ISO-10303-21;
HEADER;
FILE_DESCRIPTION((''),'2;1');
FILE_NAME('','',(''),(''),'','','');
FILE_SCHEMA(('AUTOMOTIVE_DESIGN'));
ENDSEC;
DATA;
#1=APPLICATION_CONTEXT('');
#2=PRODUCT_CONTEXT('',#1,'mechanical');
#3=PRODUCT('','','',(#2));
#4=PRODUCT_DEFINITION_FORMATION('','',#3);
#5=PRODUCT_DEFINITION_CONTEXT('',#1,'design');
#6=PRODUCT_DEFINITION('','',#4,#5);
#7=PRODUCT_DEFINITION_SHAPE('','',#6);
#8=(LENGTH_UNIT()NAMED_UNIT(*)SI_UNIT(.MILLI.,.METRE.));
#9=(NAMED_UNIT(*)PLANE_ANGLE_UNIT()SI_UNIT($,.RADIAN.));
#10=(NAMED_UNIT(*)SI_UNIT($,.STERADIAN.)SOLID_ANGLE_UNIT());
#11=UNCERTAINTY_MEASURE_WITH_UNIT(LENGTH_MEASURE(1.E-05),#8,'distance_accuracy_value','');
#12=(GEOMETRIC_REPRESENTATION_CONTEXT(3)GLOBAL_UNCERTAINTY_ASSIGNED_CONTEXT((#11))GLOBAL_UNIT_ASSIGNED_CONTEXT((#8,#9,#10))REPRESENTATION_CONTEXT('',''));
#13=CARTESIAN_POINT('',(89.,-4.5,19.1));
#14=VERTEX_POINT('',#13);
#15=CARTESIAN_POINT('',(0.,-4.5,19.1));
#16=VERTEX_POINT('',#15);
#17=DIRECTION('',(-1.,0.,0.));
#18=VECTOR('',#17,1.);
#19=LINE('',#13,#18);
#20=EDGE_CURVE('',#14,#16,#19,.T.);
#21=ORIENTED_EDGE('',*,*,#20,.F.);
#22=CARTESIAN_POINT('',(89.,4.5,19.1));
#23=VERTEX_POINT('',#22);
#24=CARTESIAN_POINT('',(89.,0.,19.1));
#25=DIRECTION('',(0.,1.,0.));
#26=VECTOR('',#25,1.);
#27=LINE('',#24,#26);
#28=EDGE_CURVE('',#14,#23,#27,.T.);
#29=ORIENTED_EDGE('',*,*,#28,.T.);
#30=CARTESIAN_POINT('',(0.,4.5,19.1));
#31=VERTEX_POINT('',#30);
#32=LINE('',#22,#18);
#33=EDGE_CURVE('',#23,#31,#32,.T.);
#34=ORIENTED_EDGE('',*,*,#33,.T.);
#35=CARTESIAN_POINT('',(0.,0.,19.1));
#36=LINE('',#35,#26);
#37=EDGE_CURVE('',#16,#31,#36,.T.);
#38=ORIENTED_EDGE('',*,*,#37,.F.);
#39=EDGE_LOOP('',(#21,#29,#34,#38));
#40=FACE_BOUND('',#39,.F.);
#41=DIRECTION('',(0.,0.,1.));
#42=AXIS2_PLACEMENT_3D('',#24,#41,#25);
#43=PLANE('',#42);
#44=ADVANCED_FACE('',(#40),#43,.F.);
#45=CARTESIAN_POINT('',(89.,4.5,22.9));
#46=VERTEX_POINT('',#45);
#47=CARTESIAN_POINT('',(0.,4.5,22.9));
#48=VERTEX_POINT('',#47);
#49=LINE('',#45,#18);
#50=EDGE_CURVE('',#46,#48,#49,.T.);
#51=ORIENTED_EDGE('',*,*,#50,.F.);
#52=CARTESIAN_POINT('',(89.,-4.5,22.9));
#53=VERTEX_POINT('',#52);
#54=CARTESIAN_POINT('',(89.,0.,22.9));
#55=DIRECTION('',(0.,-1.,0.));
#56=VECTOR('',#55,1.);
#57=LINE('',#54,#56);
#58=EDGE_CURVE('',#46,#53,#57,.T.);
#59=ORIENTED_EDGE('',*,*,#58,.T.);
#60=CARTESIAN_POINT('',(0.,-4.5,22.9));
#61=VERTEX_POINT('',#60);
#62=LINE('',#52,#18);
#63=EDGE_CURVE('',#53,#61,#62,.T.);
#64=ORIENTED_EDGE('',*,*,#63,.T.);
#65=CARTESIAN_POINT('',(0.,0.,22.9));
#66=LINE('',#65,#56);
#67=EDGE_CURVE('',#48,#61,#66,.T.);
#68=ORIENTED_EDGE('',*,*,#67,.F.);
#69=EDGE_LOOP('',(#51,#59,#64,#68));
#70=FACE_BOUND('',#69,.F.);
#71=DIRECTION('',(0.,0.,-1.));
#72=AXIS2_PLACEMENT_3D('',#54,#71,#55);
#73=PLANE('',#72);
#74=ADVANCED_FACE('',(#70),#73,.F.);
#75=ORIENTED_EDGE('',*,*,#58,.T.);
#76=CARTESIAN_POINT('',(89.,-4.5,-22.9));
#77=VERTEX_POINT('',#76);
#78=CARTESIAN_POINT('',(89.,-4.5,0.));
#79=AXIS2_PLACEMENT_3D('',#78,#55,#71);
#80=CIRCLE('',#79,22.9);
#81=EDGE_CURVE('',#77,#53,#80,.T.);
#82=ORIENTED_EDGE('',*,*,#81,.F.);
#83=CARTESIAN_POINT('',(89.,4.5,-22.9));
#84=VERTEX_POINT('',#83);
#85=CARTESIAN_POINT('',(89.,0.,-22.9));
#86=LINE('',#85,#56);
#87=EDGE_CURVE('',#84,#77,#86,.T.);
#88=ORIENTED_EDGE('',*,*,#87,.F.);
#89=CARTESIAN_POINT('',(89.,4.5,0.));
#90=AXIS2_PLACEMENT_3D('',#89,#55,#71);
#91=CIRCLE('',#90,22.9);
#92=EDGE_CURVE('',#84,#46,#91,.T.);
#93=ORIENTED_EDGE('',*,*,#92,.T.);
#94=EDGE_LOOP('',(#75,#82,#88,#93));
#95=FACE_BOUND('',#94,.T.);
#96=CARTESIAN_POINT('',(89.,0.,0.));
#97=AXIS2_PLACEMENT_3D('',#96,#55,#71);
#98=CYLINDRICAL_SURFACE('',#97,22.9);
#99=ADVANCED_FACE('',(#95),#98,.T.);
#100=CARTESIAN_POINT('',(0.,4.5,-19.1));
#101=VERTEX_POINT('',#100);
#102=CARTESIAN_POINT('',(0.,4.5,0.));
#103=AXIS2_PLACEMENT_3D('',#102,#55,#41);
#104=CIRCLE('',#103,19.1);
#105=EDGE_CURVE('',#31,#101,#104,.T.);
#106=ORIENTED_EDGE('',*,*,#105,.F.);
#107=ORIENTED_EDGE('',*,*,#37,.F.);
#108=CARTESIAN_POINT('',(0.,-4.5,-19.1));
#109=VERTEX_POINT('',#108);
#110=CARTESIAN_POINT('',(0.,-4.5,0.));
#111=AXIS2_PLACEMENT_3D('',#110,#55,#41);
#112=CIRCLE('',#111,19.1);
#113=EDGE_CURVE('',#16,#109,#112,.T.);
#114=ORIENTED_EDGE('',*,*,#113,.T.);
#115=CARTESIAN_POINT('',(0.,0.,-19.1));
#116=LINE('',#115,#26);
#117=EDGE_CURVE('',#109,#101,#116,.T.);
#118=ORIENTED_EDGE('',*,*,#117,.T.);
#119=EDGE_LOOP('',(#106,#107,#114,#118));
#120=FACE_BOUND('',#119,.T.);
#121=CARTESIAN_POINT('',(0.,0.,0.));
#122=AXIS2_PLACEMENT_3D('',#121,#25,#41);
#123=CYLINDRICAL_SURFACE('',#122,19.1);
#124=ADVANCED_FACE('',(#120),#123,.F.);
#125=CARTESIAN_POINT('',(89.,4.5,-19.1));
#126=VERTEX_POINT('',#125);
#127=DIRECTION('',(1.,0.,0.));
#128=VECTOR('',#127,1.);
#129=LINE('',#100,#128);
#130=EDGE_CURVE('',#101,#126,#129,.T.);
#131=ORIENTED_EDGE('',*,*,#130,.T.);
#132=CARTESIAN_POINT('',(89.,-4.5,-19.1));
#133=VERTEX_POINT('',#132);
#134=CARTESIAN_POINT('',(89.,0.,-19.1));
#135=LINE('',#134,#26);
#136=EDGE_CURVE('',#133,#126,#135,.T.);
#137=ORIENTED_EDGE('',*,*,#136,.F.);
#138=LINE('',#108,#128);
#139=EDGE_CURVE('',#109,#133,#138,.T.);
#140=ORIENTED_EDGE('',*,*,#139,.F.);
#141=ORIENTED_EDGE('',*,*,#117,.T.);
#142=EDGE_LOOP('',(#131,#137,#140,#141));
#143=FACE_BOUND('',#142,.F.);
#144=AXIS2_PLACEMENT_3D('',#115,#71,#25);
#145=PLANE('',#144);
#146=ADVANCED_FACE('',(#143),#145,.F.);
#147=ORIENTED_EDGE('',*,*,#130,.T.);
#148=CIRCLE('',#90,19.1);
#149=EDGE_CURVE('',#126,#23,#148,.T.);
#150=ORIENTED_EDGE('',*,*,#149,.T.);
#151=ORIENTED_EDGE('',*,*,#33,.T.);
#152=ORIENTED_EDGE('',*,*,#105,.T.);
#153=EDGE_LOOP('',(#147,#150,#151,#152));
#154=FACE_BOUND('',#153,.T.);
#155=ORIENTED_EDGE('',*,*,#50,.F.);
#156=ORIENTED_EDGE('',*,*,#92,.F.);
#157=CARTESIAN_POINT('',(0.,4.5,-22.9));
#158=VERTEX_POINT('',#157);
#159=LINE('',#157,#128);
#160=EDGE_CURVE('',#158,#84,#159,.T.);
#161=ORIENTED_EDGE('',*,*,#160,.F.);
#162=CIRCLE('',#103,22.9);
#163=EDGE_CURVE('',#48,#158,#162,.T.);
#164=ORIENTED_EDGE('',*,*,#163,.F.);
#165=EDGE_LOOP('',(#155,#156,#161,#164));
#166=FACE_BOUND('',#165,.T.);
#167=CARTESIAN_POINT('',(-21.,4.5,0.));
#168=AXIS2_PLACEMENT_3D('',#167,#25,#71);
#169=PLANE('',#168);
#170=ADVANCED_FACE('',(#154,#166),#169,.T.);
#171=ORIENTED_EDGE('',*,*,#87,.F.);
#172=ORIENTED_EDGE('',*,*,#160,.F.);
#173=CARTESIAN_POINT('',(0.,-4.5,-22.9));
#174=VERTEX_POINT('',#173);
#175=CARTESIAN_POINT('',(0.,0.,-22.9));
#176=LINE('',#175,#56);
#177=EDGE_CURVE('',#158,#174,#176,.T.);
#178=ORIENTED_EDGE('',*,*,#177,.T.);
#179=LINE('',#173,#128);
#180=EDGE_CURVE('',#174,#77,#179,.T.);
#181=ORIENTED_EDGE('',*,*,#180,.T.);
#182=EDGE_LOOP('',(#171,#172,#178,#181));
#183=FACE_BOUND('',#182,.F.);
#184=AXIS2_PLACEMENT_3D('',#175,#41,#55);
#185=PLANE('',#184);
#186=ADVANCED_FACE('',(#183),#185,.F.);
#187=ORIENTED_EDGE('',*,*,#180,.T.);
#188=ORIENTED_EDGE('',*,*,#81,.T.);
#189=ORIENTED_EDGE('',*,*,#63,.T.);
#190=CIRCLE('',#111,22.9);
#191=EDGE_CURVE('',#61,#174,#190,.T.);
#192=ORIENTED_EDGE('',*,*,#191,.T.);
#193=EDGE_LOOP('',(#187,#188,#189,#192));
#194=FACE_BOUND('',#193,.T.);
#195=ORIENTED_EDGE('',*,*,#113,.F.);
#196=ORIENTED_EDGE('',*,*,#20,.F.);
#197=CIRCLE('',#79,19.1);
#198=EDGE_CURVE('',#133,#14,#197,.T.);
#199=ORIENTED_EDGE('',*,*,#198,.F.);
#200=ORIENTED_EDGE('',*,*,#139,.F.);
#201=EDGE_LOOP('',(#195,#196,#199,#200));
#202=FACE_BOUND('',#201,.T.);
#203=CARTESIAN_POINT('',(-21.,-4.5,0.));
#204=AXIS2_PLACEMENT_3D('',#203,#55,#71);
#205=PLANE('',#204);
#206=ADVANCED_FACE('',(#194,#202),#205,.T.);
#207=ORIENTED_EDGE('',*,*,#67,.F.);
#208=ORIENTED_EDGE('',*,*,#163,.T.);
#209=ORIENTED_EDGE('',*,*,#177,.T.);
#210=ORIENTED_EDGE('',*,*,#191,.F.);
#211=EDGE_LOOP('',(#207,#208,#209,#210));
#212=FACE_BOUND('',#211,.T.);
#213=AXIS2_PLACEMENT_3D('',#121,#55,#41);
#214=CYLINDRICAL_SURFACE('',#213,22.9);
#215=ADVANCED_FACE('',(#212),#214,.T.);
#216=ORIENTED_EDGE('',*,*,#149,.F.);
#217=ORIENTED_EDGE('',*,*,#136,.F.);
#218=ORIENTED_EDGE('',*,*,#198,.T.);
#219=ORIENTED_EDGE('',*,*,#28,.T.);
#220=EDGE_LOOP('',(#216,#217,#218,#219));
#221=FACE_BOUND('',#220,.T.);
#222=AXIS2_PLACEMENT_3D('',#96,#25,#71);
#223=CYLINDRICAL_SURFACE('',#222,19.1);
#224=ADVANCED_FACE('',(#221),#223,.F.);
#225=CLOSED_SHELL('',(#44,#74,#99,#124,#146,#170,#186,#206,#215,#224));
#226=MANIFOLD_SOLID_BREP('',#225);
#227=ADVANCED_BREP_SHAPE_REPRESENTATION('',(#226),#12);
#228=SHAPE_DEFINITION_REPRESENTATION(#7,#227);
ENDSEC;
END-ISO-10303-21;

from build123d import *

# Parameters (mm, degrees)
F1_W = 9
F1_H = 3.8


with BuildPart() as f2:
    # F2: sweep along a path in F0
    with BuildLine(Plane.XZ) as f2_path:
        ThreePointArc((0, 21), (-21, 0), (0, -21))
        Line((0, -21), (89, -21))
        ThreePointArc((89, -21), (110, 0), (89, 21))
        Line((89, 21), (0, 21))
    # F1 (on Right) → F2 (sweep)
    with BuildSketch(Plane.YZ):
        with Locations((0, 21)):
            Rectangle(F1_W, F1_H)
    sweep(path=f2_path.line)


solid = f2.part
